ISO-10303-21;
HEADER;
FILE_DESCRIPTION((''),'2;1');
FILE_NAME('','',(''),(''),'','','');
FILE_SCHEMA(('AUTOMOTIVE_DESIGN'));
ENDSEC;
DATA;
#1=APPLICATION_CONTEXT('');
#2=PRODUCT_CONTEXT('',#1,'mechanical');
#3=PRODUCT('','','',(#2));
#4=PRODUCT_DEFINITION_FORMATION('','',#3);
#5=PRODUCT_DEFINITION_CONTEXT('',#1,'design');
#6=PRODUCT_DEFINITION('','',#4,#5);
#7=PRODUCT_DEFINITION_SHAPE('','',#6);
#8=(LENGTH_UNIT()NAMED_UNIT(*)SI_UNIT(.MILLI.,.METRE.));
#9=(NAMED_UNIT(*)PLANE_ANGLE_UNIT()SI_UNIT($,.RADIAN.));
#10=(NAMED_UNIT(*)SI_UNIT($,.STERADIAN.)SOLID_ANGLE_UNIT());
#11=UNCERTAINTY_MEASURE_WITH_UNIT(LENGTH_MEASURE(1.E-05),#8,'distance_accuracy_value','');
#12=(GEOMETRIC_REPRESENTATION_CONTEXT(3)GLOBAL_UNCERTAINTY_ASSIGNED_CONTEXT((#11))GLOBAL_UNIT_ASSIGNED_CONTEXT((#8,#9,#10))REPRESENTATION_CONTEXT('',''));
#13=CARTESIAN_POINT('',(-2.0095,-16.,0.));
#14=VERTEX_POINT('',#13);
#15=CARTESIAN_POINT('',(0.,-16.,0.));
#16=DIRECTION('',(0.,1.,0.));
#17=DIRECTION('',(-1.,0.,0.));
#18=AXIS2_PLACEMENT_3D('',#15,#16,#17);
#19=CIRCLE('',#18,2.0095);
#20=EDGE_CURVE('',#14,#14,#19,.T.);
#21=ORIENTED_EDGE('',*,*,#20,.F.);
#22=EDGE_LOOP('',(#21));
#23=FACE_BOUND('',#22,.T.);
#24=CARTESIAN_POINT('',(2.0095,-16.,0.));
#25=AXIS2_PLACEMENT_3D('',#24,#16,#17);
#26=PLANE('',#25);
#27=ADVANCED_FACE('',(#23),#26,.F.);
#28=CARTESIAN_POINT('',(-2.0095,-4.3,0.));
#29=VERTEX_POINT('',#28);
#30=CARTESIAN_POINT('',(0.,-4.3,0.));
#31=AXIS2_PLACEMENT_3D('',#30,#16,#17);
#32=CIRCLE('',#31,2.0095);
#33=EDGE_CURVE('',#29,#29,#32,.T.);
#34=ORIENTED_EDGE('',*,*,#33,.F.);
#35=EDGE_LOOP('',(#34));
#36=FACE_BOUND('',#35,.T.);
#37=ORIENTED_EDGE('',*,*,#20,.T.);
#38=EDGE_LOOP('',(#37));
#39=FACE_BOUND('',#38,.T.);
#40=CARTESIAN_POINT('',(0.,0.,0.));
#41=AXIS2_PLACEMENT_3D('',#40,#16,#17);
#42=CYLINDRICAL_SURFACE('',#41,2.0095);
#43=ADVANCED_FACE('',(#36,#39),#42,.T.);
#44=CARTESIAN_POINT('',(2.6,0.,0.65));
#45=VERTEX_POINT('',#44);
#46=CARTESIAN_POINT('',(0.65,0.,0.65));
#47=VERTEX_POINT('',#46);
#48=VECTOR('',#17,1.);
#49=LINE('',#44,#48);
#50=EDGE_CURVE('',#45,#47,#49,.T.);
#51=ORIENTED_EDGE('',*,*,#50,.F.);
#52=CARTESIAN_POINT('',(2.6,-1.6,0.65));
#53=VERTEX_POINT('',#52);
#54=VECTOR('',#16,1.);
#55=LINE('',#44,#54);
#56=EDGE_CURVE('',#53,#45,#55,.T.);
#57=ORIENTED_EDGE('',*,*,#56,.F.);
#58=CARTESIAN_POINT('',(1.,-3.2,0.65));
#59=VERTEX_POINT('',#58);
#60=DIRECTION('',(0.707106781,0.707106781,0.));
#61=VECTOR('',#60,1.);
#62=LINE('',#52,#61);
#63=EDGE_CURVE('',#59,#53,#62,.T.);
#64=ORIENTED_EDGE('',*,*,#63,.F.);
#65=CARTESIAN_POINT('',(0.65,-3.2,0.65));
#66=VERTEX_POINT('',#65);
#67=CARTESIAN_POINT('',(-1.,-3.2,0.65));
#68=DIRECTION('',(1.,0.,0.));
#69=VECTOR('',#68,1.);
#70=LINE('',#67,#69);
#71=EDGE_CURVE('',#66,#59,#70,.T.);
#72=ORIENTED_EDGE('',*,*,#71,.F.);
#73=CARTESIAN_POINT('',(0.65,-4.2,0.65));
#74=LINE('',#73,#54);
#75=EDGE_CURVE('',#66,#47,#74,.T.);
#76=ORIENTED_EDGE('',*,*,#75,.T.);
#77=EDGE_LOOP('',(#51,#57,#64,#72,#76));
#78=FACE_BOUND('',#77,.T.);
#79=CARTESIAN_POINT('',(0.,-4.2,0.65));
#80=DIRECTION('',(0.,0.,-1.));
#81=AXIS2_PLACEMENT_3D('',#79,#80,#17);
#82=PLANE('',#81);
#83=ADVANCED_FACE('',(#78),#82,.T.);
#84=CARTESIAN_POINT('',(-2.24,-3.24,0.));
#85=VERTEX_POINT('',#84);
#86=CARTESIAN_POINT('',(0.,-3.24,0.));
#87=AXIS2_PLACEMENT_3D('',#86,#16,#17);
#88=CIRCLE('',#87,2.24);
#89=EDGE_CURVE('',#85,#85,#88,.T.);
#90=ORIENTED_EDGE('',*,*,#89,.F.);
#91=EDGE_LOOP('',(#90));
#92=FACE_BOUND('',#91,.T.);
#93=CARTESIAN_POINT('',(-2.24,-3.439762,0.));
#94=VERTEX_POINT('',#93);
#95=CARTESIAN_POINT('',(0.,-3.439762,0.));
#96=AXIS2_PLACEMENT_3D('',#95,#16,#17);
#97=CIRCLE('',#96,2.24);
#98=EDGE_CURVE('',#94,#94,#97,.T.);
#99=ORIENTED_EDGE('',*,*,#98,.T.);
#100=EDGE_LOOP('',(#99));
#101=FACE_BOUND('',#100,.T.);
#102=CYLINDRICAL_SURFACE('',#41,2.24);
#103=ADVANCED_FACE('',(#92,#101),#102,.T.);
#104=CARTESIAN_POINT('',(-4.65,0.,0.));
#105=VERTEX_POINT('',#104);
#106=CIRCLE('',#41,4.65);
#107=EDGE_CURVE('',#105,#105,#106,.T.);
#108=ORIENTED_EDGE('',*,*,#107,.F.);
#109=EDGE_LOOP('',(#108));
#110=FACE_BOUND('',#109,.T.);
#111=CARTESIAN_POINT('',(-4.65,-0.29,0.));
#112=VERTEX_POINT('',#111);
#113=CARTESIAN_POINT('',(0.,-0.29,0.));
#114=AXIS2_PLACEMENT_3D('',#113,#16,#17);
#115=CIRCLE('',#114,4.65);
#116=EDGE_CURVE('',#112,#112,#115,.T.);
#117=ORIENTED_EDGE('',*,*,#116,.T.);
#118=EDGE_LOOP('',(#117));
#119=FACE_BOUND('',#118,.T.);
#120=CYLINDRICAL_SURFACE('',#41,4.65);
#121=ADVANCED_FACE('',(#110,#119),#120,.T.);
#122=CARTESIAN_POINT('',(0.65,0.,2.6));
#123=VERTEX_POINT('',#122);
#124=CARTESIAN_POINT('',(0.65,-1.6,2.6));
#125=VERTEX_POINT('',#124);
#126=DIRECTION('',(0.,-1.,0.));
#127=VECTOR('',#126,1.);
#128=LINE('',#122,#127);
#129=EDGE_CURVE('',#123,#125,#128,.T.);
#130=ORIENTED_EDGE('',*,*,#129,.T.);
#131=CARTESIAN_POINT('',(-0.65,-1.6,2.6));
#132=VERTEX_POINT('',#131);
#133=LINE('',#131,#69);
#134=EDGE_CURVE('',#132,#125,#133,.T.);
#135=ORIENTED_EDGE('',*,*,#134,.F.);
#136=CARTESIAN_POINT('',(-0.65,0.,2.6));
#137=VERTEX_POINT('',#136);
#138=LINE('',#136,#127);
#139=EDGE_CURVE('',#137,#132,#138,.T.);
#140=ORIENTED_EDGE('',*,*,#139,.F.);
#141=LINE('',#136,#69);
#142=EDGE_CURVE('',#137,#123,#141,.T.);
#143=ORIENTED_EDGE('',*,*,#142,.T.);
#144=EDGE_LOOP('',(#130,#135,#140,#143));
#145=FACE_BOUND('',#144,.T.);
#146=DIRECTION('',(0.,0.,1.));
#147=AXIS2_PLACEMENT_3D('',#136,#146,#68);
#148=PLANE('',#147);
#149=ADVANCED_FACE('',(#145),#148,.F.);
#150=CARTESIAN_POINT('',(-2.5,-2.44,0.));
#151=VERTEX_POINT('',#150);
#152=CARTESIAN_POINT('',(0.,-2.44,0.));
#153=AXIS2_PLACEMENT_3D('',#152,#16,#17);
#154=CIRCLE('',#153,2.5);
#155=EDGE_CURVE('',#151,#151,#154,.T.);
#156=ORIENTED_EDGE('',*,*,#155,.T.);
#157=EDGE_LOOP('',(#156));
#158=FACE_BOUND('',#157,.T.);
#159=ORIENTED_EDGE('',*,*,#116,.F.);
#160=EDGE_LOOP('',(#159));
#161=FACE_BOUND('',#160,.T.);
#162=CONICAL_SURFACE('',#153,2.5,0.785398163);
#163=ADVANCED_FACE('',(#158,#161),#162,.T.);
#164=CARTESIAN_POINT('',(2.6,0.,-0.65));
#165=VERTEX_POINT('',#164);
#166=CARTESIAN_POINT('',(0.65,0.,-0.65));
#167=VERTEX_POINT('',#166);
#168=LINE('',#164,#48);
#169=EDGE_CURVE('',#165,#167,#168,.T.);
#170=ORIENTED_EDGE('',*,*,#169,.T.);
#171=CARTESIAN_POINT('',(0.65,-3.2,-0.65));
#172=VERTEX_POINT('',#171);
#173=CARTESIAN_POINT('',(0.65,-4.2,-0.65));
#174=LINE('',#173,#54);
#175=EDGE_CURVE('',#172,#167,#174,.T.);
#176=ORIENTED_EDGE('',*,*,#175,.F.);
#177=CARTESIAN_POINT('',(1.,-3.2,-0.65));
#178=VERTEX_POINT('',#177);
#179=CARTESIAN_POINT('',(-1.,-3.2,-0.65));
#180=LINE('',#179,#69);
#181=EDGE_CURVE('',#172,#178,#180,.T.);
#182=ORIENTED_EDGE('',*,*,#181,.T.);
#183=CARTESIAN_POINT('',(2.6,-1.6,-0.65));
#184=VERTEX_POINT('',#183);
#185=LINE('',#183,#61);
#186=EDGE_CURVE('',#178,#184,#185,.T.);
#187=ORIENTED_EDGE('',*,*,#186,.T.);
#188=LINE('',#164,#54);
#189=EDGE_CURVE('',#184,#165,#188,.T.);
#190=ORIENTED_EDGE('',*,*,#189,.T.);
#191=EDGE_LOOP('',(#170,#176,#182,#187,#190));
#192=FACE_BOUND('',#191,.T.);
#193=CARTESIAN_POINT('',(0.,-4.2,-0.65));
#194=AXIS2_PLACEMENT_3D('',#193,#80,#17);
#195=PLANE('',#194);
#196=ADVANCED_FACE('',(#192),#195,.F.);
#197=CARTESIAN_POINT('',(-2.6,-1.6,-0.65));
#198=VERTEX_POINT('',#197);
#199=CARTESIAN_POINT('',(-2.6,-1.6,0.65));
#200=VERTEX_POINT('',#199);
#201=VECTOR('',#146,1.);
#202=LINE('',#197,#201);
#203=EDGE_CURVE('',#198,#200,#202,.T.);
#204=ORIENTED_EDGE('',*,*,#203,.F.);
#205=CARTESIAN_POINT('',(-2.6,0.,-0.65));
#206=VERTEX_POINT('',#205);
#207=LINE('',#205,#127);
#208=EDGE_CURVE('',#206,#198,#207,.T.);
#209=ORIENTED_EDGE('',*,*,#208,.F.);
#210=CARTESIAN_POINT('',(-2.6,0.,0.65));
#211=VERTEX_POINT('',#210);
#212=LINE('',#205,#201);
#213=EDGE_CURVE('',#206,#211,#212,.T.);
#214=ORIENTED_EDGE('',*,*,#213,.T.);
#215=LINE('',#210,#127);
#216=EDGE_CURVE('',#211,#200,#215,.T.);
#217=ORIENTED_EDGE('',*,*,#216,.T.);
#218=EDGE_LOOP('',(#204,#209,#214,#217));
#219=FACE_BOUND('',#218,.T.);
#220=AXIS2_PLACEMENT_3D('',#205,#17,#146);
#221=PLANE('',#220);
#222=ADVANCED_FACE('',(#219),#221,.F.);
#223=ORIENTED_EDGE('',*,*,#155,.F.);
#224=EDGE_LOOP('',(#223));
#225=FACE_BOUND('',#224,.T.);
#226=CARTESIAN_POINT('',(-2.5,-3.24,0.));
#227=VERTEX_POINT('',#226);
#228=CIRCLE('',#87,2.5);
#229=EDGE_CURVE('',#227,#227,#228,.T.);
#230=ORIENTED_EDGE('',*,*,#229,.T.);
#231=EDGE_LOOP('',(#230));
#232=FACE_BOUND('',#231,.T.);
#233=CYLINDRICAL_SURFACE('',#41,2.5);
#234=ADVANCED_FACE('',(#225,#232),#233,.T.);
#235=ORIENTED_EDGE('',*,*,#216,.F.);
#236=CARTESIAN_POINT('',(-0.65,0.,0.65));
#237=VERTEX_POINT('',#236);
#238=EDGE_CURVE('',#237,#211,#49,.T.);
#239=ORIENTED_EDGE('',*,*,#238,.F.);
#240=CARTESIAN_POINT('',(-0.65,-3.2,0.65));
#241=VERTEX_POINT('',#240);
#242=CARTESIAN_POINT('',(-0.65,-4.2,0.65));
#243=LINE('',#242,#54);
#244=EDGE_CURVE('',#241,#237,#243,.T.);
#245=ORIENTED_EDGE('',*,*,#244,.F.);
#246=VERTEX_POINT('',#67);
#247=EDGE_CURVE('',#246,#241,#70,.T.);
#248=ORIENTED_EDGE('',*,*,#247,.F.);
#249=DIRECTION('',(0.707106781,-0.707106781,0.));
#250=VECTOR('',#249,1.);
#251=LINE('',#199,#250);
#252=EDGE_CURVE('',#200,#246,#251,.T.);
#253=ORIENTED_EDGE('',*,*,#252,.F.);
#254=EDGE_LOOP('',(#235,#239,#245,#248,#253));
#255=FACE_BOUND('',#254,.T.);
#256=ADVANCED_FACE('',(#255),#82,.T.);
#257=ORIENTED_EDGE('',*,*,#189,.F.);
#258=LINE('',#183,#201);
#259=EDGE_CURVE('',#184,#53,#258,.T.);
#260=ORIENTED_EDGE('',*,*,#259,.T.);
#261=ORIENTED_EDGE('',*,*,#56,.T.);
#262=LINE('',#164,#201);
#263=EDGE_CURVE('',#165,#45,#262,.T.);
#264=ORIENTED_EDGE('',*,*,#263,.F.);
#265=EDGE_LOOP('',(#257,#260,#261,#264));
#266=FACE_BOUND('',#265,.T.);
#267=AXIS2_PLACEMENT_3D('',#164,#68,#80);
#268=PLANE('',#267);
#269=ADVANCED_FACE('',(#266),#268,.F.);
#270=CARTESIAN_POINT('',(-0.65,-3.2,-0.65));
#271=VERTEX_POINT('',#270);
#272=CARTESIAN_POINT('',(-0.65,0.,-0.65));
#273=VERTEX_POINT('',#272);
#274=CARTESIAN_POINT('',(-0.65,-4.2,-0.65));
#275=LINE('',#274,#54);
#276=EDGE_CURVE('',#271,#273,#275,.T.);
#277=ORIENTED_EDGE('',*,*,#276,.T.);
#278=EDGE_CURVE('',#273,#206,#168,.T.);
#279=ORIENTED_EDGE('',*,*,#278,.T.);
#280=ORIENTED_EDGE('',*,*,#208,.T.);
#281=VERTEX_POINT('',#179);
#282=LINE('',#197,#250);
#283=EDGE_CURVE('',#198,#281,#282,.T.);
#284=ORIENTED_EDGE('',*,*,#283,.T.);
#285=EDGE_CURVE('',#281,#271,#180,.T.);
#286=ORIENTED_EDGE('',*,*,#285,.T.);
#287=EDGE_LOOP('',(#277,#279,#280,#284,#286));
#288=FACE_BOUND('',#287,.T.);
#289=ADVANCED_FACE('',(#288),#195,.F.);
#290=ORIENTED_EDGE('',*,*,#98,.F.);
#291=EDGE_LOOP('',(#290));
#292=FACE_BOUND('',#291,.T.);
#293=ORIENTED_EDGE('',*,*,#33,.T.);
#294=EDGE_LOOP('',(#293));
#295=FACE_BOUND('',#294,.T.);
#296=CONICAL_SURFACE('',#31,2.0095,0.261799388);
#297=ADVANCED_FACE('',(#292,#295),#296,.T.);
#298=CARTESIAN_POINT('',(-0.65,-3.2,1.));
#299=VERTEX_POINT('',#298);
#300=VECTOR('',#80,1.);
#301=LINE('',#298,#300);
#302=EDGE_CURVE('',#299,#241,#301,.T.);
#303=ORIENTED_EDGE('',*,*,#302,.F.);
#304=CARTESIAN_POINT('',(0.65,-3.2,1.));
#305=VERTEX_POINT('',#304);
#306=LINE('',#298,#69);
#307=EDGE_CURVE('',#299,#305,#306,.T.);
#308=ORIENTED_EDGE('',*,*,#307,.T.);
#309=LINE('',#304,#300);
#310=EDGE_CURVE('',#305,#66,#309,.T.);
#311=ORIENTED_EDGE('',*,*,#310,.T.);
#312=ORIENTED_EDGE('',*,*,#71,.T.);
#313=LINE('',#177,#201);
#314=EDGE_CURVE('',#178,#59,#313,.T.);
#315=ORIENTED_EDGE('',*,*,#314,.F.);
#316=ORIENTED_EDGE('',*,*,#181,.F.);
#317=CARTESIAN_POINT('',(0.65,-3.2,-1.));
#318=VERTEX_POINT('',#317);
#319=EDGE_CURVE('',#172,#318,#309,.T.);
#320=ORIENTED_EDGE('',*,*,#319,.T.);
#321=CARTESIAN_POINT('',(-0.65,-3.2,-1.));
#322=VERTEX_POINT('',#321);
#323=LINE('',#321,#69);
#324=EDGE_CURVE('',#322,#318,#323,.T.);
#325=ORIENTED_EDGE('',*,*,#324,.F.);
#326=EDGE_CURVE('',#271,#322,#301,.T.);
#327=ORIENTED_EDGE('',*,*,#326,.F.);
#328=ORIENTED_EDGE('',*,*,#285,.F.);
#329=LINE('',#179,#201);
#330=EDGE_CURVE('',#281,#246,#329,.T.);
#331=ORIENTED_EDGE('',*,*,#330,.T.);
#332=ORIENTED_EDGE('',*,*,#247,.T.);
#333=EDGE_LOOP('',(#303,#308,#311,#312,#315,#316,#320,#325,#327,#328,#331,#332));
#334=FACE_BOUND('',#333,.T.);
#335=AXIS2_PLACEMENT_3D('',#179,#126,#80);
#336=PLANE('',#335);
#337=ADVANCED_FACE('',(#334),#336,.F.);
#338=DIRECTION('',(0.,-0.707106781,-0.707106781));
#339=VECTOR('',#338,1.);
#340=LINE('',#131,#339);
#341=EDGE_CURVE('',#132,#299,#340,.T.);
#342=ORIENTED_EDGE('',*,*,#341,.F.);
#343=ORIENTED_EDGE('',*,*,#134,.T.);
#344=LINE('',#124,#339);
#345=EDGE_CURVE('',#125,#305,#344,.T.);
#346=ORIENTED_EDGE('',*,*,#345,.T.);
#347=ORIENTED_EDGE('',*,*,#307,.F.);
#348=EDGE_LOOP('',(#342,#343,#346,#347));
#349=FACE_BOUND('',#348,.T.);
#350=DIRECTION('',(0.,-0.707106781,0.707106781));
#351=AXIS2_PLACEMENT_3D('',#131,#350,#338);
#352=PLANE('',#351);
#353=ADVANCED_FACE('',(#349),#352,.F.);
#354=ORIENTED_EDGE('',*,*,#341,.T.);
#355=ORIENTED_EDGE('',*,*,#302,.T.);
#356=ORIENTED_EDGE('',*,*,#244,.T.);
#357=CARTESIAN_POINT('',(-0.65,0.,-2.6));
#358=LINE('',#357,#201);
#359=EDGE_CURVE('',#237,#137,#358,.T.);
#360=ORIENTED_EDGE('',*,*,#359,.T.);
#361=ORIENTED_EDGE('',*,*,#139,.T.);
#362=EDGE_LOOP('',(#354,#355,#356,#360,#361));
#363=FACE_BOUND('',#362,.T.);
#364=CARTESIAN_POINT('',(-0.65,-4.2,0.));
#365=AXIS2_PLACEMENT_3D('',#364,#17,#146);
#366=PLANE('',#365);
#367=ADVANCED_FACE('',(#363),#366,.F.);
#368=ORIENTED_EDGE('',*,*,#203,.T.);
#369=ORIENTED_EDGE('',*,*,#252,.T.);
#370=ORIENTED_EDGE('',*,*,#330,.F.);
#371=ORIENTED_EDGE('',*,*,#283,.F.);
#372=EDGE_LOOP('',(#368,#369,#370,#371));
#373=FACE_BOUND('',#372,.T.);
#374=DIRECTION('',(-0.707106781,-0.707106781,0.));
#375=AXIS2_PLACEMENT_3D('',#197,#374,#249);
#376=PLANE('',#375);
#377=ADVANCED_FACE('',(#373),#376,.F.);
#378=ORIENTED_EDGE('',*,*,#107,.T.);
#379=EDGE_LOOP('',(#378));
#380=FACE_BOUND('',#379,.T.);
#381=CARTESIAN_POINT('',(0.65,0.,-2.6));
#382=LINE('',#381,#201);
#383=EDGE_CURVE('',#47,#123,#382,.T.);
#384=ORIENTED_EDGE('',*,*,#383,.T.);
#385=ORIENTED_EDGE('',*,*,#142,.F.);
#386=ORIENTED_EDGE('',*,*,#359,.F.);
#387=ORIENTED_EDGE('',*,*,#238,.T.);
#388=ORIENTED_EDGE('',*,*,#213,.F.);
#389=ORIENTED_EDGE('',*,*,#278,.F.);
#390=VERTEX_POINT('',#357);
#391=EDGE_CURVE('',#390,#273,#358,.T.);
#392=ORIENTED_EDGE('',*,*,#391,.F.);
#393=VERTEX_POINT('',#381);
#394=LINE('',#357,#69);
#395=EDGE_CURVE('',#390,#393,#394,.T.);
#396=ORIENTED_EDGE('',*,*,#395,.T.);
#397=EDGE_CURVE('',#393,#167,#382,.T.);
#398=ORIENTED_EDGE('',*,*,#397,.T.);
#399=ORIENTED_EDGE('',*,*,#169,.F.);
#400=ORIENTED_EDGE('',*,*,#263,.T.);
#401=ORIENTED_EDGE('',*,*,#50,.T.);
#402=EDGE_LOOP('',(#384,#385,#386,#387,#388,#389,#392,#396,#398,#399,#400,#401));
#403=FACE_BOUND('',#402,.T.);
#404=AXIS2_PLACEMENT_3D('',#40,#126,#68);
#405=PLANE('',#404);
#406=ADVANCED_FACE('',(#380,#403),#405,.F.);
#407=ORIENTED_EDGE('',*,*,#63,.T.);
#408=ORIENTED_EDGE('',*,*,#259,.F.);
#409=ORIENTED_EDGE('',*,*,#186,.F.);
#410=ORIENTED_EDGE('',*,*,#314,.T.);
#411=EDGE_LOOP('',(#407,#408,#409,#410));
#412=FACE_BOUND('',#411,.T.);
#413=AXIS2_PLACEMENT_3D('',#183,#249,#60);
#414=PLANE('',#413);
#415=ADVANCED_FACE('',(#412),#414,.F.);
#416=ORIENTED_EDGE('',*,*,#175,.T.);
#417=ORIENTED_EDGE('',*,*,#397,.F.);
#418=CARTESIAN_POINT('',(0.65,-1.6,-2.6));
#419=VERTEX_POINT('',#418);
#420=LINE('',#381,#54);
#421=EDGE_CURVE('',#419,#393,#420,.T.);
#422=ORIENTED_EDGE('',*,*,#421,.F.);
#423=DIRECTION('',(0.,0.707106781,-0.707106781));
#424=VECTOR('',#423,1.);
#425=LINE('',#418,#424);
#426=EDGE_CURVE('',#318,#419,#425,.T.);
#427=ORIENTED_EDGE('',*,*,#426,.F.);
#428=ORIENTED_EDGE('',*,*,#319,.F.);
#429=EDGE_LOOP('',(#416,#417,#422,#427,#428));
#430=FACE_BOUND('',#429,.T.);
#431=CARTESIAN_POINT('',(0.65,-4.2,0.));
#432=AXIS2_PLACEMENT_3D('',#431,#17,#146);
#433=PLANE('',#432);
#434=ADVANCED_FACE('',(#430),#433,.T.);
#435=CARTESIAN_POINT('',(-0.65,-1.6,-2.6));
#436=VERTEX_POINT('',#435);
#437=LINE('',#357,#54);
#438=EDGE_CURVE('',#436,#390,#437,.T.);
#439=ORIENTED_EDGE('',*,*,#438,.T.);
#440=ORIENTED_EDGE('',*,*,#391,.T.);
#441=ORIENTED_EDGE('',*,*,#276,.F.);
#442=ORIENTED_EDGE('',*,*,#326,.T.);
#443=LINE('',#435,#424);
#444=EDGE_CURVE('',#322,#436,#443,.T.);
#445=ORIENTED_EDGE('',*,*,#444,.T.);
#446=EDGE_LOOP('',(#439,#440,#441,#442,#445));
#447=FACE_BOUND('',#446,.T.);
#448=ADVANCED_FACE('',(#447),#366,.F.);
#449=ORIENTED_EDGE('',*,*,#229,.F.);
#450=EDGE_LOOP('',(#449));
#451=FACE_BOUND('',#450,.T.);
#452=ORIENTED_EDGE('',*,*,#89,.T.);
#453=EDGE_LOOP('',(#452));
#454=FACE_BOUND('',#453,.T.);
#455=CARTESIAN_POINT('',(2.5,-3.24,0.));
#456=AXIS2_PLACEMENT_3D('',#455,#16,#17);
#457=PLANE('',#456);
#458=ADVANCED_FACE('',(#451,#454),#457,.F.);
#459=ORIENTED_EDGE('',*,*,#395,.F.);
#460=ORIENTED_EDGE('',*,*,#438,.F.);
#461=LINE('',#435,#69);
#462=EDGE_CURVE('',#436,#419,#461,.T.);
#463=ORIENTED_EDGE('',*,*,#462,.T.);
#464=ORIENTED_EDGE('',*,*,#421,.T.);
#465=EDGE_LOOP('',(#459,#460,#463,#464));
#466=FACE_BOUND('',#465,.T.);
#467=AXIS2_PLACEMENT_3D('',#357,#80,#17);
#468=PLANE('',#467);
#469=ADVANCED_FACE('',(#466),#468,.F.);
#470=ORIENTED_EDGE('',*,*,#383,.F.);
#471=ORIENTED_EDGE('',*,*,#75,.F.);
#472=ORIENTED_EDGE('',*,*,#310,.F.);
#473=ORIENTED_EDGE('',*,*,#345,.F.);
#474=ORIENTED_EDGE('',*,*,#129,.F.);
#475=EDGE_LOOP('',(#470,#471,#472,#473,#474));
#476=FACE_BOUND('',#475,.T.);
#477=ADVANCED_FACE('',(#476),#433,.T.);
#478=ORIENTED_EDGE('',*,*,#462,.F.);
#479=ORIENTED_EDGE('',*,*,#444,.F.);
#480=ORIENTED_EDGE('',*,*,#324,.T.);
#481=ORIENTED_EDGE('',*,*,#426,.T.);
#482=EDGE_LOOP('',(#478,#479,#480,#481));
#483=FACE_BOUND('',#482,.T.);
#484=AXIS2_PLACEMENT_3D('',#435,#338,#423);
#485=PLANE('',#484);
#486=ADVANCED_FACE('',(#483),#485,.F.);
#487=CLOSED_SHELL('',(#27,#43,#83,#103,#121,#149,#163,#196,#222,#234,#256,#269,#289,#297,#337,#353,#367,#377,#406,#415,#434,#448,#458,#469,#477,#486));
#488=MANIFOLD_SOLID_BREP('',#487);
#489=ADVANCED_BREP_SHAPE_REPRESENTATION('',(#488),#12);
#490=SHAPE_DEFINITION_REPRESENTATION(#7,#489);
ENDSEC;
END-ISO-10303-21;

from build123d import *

# Parameters (mm, degrees)
KREUZSCHLITZ1_H_DEPTH      = 0.65
KREUZSCHLITZ1_H_DEPTH_BACK = 0.65
KREUZSCHLITZ2_H_DEPTH      = 0.65
KREUZSCHLITZ2_H_DEPTH_BACK = 0.65


with BuildPart() as part:
    # Skizze1 → Basis-Rotation (revolve)
    with BuildSketch(Plane.XY, mode=Mode.PRIVATE) as basis_rotation_sk:
        Polygon((0, 0), (4.65, 0), (4.65, -0.29), (2.5, -2.44), (2.5, -3.24), (2.24, -3.24), (2.24, -3.439762289), (2.0095, -4.3), (2.0095, -16), (0, -16), align=None)
    revolve(basis_rotation_sk.sketch.rotate(Axis((0, 0, 0), (0, -1, 0)), 180), axis=Axis((0, 0, 0), (0, -1, 0)))

    # Skizze2 → Kreuzschlitz1 H (cut, two sides: drawn at the far end of the back side and taken through both)
    with BuildSketch(Plane.XY.offset(-KREUZSCHLITZ1_H_DEPTH_BACK)):
        Polygon((-1, -3.2), (1, -3.2), (2.6, -1.6), (2.6, 0), (-2.6, 0), (-2.6, -1.6), align=None)
    extrude(amount=KREUZSCHLITZ1_H_DEPTH + KREUZSCHLITZ1_H_DEPTH_BACK, mode=Mode.SUBTRACT)

    # Skizze3 → Kreuzschlitz2 H (cut, two sides: drawn at the far end of the back side and taken through both)
    with BuildSketch(Plane(origin=(0, 0, 0), x_dir=(0, 0, -1), z_dir=(1, 0, 0)).offset(-KREUZSCHLITZ2_H_DEPTH_BACK)):
        Polygon((-1, -3.2), (1, -3.2), (2.6, -1.6), (2.6, 0), (-2.6, 0), (-2.6, -1.6), align=None)
    extrude(amount=KREUZSCHLITZ2_H_DEPTH + KREUZSCHLITZ2_H_DEPTH_BACK, mode=Mode.SUBTRACT)


solid = part.part
